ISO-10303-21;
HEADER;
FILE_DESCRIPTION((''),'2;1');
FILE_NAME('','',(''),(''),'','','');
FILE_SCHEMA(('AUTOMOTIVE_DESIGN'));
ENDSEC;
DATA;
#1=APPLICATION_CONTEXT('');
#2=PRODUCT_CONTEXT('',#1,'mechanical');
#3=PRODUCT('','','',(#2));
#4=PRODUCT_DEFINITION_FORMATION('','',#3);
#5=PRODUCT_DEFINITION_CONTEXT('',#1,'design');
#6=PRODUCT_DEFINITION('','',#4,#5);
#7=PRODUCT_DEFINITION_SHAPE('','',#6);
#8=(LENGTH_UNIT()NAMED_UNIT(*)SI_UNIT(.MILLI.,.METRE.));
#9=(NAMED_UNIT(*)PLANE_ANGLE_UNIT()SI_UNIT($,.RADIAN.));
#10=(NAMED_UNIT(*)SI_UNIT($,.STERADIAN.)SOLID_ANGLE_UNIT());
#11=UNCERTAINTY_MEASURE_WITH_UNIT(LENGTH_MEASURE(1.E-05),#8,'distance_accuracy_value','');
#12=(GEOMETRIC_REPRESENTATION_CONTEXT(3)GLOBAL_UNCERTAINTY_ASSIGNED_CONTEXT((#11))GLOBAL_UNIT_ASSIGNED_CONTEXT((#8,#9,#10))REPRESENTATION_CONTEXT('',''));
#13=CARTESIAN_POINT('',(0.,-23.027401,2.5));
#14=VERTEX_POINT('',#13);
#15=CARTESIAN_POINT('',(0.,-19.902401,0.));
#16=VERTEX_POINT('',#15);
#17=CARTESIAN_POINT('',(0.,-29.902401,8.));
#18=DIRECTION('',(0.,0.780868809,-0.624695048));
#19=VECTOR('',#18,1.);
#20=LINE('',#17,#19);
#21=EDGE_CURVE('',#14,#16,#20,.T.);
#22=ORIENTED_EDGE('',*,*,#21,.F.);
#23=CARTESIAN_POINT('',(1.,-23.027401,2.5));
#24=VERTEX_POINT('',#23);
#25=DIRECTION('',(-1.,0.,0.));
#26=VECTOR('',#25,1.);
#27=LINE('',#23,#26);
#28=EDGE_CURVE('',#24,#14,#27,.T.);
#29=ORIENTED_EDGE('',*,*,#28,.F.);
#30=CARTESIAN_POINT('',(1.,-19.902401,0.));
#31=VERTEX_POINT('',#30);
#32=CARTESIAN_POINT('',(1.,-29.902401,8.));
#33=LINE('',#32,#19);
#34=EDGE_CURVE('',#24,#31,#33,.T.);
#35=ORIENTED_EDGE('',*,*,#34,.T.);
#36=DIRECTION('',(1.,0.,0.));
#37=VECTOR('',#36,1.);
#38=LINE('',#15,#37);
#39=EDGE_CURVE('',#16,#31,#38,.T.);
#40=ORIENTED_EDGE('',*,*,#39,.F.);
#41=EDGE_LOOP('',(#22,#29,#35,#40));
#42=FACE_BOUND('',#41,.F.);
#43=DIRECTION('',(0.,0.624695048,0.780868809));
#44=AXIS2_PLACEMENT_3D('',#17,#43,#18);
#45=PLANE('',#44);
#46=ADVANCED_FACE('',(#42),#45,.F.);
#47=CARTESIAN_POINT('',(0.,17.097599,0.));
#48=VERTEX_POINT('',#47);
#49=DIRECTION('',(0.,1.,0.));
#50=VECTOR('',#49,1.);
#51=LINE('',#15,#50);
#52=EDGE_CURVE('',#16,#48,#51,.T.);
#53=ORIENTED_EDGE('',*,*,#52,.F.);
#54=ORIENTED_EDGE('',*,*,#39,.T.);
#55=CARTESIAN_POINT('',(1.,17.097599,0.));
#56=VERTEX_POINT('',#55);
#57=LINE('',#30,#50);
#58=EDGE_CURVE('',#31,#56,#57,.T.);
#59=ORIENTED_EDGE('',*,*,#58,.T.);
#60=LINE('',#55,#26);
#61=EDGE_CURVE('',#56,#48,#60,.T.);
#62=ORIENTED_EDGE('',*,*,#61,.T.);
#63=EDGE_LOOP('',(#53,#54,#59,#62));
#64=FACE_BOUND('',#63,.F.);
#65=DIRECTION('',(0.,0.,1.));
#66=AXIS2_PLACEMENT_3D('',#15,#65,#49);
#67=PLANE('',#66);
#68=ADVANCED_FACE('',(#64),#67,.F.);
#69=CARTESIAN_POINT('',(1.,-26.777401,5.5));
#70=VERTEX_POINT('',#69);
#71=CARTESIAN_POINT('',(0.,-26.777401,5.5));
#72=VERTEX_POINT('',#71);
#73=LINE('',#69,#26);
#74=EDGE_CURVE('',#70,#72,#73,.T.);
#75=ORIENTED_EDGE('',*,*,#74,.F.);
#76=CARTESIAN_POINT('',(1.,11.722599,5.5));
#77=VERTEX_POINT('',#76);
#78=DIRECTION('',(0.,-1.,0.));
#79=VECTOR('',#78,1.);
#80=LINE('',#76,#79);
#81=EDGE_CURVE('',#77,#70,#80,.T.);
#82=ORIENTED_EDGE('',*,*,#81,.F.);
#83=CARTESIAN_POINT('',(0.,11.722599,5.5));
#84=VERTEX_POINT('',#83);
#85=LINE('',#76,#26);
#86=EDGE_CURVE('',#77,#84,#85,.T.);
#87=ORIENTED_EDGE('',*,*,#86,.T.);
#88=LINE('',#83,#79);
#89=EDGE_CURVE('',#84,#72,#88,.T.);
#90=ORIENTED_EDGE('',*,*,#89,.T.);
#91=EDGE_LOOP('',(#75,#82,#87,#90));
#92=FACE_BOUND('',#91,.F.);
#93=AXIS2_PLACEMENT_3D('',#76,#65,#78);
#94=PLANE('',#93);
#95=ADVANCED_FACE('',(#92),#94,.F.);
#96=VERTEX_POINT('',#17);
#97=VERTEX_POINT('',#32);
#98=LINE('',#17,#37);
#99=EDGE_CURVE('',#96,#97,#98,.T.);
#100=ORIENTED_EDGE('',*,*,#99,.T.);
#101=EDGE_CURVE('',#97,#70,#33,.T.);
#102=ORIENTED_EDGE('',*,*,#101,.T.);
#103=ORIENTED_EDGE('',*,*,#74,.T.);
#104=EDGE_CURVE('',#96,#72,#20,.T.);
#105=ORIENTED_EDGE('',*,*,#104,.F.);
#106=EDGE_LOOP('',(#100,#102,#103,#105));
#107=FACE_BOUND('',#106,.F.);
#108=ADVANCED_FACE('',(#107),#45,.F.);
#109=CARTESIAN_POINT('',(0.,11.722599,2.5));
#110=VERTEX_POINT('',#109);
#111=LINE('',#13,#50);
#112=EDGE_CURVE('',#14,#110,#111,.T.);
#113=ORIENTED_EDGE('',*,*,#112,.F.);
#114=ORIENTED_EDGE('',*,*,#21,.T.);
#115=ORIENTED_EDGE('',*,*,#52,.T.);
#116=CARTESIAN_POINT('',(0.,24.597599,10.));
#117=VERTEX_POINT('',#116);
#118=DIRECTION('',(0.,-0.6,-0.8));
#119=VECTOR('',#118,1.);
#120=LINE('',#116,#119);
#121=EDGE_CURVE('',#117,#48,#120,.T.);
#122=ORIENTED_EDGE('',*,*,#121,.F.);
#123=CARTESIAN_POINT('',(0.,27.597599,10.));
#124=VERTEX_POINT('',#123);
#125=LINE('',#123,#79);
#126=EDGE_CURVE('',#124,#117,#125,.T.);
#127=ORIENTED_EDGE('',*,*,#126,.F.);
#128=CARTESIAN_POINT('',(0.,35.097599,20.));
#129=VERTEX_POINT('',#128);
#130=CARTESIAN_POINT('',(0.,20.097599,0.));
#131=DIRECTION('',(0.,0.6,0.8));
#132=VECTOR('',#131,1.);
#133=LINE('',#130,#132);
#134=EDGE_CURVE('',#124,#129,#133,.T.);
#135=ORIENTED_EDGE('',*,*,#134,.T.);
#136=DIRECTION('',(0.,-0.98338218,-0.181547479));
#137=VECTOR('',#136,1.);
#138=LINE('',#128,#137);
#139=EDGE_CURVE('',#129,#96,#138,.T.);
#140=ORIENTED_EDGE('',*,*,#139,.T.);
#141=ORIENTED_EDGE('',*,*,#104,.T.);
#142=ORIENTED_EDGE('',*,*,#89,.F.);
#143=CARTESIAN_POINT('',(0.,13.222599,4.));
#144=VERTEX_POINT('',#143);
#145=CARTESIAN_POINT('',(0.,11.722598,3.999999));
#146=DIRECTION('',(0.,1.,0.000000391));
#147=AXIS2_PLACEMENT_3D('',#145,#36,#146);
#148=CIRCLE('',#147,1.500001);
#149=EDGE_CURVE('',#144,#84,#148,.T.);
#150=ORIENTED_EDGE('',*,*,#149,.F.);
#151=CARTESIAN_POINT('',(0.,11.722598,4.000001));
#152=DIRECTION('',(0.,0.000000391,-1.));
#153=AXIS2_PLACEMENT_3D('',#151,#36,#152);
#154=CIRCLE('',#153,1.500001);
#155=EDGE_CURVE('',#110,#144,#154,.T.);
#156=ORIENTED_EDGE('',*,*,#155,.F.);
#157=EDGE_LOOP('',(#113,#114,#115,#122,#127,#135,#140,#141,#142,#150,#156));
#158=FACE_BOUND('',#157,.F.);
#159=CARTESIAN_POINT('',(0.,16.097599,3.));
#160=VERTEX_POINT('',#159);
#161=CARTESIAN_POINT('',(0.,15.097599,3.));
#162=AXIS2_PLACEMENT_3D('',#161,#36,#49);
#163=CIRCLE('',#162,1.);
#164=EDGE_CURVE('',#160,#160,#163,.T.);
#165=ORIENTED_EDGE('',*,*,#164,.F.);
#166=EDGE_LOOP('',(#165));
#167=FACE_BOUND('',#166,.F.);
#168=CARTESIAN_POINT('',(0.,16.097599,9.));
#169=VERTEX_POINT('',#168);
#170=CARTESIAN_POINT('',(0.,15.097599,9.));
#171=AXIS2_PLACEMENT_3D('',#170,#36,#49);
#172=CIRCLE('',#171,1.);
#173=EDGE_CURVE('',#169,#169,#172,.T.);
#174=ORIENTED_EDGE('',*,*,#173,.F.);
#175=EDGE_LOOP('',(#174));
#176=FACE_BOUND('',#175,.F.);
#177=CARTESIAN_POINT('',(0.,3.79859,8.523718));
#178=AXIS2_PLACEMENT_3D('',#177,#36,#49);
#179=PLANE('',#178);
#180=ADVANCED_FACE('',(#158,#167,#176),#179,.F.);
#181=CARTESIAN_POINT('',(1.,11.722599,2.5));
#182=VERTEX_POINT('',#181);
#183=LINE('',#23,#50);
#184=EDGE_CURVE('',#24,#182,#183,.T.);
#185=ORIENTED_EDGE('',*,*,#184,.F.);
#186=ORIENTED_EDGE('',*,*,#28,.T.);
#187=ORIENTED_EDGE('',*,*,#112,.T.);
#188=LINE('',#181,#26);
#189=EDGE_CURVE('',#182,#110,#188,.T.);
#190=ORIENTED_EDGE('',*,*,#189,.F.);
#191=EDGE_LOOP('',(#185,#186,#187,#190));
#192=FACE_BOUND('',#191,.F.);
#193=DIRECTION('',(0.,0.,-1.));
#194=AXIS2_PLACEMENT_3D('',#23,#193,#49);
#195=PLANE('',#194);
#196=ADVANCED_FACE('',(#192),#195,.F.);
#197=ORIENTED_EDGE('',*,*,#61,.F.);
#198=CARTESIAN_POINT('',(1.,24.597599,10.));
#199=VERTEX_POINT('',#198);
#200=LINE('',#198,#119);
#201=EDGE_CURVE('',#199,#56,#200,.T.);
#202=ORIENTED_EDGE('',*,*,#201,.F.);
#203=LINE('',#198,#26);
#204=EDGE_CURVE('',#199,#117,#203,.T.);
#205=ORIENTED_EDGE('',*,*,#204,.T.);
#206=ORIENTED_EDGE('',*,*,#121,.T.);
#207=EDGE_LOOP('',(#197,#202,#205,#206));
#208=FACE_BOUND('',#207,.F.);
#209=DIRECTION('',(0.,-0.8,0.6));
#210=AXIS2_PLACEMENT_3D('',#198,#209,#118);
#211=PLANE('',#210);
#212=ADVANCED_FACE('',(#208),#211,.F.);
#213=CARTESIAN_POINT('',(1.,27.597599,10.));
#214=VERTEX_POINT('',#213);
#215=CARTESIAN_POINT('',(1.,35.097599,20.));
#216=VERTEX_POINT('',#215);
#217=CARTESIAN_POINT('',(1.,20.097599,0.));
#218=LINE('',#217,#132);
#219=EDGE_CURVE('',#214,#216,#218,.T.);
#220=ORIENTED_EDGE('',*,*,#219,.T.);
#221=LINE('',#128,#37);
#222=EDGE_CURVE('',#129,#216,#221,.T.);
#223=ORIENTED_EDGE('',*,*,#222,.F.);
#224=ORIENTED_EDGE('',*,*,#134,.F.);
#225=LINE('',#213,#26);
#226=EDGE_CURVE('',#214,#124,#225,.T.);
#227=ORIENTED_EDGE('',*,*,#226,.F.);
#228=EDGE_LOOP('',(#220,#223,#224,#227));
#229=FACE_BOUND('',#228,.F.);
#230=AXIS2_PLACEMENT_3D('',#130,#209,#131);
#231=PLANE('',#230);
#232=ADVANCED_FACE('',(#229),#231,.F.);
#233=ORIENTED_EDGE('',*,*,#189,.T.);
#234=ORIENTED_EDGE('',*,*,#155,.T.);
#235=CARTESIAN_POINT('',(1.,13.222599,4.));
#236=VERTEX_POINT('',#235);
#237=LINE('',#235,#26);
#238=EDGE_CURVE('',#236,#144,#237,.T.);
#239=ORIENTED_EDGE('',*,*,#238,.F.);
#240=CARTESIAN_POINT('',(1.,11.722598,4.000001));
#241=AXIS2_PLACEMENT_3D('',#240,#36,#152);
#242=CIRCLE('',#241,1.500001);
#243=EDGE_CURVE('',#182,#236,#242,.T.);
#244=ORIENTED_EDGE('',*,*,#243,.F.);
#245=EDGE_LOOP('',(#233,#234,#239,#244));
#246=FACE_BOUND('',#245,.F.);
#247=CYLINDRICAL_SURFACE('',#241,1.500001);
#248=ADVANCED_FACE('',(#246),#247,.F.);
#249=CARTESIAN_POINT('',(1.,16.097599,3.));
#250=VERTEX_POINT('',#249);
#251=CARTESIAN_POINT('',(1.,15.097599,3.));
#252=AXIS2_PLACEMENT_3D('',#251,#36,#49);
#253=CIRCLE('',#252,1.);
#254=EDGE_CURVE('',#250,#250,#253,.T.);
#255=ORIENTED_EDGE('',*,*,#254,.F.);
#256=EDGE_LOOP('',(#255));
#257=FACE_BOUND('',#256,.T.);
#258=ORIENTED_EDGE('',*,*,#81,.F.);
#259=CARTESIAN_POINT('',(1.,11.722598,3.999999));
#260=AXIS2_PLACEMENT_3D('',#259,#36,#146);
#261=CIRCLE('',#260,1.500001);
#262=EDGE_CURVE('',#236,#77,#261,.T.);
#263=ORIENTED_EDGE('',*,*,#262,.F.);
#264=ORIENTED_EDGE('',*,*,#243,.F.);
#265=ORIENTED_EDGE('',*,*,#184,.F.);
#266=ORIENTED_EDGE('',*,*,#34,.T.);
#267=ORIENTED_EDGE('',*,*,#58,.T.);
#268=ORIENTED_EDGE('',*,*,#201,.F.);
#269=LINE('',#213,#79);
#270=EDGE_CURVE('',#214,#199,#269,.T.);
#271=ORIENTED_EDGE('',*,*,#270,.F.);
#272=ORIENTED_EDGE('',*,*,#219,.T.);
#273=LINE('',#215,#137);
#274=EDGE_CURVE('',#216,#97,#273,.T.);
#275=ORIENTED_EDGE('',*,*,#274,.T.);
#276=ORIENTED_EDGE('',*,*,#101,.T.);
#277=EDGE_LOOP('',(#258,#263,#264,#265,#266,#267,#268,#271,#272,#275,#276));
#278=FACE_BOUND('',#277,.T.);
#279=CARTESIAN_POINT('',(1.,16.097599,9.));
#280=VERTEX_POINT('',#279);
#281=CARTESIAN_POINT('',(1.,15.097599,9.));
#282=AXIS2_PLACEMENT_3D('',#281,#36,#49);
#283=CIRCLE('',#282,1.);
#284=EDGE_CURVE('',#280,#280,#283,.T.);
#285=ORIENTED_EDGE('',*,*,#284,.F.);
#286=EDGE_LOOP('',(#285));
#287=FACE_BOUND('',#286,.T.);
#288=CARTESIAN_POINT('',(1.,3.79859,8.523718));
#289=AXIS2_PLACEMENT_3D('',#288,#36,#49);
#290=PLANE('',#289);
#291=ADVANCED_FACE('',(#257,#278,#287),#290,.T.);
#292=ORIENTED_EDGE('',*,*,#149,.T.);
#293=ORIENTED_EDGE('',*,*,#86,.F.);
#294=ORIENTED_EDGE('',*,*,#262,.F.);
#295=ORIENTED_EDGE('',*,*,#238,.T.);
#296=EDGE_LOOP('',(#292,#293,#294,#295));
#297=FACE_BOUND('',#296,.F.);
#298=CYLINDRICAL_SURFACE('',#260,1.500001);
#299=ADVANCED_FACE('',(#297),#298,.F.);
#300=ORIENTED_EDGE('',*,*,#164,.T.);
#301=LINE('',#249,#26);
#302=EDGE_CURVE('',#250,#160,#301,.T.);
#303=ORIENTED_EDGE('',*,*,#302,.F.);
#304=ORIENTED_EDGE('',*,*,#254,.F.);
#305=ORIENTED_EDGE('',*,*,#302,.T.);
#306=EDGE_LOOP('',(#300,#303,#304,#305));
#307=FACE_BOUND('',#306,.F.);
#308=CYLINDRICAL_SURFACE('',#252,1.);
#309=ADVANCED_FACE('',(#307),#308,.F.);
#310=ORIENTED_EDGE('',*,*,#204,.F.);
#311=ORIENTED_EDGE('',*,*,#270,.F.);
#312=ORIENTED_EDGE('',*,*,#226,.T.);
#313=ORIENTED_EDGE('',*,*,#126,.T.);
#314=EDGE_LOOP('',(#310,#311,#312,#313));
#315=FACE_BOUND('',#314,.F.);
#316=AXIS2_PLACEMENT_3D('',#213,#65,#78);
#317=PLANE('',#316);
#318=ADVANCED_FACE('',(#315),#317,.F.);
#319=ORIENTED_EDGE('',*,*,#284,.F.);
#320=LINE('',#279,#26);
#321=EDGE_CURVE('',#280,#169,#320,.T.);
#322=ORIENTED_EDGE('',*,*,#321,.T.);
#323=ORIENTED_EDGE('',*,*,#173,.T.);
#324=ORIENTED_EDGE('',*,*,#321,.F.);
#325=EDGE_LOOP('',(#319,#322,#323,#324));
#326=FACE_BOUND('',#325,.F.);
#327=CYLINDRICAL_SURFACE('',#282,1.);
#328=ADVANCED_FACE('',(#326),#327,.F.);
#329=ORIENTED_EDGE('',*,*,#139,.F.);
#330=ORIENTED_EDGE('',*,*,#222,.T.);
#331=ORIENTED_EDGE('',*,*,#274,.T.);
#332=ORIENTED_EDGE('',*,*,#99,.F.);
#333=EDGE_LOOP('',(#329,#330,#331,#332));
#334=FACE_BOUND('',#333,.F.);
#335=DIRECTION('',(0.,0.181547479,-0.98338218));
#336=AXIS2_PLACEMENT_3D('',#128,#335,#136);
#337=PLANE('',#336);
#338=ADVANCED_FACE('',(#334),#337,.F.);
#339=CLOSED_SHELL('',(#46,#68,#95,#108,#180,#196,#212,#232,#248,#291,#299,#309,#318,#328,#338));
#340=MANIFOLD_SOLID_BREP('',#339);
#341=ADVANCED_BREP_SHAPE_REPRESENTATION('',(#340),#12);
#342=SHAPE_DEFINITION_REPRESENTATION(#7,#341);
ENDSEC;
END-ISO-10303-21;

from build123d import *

# Parameters (mm, degrees)
F1_DEPTH = 1
F2_R     = 1
F3_DEPTH = 1


with BuildPart() as f1:
    # F0 (on Right) → F1 (new body)
    with BuildSketch(Plane.YZ):
        Polygon((-19.902401, 0), (0, 0), (20.097599, 0), (35.097599, 20), (-29.902401, 8), align=None)
    extrude(amount=F1_DEPTH)

    # F2 (on face) → F3 (cut, through all)
    with BuildSketch(Plane.YZ.offset(1)):
        with Locations((15.097599, 9)):
            Circle(F2_R)
        with Locations((15.097599, 3)):
            Circle(F2_R)
        with BuildLine():
            Line((11.722599, 5.5), (-26.777401, 5.5))
            Line((-26.777401, 5.5), (-23.027401, 2.5))
            Line((-23.027401, 2.5), (11.722599, 2.5))
            ThreePointArc((11.722599, 2.5), (12.783259, 2.93934), (13.222599, 4))
            ThreePointArc((13.222599, 4), (12.783259, 5.06066), (11.722599, 5.5))
        make_face()
        Polygon((20.097599, 0), (27.597599, 10), (24.597599, 10), (17.097599, 0), align=None)
    extrude(amount=-F3_DEPTH, mode=Mode.SUBTRACT)


solid = f1.part
